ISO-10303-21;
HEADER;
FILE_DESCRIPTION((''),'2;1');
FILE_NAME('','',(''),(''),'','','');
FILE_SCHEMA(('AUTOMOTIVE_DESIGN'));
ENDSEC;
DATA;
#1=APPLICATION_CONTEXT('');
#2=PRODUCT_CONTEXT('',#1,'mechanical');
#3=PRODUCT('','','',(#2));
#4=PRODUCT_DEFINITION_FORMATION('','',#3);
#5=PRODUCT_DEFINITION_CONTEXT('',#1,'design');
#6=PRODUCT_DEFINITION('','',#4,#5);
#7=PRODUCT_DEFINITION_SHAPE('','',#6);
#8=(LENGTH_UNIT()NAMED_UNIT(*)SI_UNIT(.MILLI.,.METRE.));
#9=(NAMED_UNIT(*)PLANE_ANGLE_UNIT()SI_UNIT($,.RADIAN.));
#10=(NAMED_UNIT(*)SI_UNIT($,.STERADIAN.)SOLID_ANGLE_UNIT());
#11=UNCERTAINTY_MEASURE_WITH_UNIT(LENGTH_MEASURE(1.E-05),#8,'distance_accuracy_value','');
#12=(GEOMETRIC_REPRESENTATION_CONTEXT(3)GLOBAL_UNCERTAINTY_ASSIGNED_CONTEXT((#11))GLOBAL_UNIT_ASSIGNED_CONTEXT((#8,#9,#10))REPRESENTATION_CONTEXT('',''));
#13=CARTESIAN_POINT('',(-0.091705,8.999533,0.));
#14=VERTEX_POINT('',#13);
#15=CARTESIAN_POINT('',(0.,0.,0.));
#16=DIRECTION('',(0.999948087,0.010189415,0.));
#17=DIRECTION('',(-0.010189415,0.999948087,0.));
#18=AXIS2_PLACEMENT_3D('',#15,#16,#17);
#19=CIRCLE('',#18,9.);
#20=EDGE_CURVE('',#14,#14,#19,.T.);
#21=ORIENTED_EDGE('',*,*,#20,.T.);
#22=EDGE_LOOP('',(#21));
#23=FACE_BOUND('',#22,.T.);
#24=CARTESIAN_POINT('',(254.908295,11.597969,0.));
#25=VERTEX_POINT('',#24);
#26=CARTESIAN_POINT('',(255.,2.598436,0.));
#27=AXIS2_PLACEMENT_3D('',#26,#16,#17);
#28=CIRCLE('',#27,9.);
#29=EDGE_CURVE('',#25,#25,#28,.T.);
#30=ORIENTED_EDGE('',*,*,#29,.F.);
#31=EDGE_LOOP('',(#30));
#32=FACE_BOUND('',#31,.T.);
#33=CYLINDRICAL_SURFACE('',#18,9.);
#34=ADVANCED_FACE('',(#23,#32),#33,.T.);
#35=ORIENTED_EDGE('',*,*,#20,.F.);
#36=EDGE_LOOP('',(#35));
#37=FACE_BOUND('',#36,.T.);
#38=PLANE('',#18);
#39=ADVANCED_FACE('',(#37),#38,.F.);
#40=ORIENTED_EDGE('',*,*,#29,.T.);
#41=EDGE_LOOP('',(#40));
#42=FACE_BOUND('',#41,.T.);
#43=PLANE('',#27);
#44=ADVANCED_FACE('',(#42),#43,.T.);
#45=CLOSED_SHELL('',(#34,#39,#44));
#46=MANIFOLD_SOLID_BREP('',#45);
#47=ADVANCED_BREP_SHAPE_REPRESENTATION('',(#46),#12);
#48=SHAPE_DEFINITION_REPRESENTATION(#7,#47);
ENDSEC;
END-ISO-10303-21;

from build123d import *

# Parameters (mm, degrees)
SWEEP1_PROFILE_R = 9


with BuildPart() as part:
    # Sweep1: sweep along a path in Sketch1
    with BuildLine(Plane.XY) as sweep1_path:
        Line((0, 0), (255, 2.598435735))
    # Sweep1 profile (on start of the path) → Sweep1 (sweep)
    with BuildSketch(Plane(origin=(0, 0, 0), x_dir=(-0.010189415062129411, 0.9999480865628434, 0), z_dir=(0.9999480865628434, 0.010189415062129411, 0))):
        Circle(SWEEP1_PROFILE_R)
    sweep(path=sweep1_path.line)


solid = part.part
